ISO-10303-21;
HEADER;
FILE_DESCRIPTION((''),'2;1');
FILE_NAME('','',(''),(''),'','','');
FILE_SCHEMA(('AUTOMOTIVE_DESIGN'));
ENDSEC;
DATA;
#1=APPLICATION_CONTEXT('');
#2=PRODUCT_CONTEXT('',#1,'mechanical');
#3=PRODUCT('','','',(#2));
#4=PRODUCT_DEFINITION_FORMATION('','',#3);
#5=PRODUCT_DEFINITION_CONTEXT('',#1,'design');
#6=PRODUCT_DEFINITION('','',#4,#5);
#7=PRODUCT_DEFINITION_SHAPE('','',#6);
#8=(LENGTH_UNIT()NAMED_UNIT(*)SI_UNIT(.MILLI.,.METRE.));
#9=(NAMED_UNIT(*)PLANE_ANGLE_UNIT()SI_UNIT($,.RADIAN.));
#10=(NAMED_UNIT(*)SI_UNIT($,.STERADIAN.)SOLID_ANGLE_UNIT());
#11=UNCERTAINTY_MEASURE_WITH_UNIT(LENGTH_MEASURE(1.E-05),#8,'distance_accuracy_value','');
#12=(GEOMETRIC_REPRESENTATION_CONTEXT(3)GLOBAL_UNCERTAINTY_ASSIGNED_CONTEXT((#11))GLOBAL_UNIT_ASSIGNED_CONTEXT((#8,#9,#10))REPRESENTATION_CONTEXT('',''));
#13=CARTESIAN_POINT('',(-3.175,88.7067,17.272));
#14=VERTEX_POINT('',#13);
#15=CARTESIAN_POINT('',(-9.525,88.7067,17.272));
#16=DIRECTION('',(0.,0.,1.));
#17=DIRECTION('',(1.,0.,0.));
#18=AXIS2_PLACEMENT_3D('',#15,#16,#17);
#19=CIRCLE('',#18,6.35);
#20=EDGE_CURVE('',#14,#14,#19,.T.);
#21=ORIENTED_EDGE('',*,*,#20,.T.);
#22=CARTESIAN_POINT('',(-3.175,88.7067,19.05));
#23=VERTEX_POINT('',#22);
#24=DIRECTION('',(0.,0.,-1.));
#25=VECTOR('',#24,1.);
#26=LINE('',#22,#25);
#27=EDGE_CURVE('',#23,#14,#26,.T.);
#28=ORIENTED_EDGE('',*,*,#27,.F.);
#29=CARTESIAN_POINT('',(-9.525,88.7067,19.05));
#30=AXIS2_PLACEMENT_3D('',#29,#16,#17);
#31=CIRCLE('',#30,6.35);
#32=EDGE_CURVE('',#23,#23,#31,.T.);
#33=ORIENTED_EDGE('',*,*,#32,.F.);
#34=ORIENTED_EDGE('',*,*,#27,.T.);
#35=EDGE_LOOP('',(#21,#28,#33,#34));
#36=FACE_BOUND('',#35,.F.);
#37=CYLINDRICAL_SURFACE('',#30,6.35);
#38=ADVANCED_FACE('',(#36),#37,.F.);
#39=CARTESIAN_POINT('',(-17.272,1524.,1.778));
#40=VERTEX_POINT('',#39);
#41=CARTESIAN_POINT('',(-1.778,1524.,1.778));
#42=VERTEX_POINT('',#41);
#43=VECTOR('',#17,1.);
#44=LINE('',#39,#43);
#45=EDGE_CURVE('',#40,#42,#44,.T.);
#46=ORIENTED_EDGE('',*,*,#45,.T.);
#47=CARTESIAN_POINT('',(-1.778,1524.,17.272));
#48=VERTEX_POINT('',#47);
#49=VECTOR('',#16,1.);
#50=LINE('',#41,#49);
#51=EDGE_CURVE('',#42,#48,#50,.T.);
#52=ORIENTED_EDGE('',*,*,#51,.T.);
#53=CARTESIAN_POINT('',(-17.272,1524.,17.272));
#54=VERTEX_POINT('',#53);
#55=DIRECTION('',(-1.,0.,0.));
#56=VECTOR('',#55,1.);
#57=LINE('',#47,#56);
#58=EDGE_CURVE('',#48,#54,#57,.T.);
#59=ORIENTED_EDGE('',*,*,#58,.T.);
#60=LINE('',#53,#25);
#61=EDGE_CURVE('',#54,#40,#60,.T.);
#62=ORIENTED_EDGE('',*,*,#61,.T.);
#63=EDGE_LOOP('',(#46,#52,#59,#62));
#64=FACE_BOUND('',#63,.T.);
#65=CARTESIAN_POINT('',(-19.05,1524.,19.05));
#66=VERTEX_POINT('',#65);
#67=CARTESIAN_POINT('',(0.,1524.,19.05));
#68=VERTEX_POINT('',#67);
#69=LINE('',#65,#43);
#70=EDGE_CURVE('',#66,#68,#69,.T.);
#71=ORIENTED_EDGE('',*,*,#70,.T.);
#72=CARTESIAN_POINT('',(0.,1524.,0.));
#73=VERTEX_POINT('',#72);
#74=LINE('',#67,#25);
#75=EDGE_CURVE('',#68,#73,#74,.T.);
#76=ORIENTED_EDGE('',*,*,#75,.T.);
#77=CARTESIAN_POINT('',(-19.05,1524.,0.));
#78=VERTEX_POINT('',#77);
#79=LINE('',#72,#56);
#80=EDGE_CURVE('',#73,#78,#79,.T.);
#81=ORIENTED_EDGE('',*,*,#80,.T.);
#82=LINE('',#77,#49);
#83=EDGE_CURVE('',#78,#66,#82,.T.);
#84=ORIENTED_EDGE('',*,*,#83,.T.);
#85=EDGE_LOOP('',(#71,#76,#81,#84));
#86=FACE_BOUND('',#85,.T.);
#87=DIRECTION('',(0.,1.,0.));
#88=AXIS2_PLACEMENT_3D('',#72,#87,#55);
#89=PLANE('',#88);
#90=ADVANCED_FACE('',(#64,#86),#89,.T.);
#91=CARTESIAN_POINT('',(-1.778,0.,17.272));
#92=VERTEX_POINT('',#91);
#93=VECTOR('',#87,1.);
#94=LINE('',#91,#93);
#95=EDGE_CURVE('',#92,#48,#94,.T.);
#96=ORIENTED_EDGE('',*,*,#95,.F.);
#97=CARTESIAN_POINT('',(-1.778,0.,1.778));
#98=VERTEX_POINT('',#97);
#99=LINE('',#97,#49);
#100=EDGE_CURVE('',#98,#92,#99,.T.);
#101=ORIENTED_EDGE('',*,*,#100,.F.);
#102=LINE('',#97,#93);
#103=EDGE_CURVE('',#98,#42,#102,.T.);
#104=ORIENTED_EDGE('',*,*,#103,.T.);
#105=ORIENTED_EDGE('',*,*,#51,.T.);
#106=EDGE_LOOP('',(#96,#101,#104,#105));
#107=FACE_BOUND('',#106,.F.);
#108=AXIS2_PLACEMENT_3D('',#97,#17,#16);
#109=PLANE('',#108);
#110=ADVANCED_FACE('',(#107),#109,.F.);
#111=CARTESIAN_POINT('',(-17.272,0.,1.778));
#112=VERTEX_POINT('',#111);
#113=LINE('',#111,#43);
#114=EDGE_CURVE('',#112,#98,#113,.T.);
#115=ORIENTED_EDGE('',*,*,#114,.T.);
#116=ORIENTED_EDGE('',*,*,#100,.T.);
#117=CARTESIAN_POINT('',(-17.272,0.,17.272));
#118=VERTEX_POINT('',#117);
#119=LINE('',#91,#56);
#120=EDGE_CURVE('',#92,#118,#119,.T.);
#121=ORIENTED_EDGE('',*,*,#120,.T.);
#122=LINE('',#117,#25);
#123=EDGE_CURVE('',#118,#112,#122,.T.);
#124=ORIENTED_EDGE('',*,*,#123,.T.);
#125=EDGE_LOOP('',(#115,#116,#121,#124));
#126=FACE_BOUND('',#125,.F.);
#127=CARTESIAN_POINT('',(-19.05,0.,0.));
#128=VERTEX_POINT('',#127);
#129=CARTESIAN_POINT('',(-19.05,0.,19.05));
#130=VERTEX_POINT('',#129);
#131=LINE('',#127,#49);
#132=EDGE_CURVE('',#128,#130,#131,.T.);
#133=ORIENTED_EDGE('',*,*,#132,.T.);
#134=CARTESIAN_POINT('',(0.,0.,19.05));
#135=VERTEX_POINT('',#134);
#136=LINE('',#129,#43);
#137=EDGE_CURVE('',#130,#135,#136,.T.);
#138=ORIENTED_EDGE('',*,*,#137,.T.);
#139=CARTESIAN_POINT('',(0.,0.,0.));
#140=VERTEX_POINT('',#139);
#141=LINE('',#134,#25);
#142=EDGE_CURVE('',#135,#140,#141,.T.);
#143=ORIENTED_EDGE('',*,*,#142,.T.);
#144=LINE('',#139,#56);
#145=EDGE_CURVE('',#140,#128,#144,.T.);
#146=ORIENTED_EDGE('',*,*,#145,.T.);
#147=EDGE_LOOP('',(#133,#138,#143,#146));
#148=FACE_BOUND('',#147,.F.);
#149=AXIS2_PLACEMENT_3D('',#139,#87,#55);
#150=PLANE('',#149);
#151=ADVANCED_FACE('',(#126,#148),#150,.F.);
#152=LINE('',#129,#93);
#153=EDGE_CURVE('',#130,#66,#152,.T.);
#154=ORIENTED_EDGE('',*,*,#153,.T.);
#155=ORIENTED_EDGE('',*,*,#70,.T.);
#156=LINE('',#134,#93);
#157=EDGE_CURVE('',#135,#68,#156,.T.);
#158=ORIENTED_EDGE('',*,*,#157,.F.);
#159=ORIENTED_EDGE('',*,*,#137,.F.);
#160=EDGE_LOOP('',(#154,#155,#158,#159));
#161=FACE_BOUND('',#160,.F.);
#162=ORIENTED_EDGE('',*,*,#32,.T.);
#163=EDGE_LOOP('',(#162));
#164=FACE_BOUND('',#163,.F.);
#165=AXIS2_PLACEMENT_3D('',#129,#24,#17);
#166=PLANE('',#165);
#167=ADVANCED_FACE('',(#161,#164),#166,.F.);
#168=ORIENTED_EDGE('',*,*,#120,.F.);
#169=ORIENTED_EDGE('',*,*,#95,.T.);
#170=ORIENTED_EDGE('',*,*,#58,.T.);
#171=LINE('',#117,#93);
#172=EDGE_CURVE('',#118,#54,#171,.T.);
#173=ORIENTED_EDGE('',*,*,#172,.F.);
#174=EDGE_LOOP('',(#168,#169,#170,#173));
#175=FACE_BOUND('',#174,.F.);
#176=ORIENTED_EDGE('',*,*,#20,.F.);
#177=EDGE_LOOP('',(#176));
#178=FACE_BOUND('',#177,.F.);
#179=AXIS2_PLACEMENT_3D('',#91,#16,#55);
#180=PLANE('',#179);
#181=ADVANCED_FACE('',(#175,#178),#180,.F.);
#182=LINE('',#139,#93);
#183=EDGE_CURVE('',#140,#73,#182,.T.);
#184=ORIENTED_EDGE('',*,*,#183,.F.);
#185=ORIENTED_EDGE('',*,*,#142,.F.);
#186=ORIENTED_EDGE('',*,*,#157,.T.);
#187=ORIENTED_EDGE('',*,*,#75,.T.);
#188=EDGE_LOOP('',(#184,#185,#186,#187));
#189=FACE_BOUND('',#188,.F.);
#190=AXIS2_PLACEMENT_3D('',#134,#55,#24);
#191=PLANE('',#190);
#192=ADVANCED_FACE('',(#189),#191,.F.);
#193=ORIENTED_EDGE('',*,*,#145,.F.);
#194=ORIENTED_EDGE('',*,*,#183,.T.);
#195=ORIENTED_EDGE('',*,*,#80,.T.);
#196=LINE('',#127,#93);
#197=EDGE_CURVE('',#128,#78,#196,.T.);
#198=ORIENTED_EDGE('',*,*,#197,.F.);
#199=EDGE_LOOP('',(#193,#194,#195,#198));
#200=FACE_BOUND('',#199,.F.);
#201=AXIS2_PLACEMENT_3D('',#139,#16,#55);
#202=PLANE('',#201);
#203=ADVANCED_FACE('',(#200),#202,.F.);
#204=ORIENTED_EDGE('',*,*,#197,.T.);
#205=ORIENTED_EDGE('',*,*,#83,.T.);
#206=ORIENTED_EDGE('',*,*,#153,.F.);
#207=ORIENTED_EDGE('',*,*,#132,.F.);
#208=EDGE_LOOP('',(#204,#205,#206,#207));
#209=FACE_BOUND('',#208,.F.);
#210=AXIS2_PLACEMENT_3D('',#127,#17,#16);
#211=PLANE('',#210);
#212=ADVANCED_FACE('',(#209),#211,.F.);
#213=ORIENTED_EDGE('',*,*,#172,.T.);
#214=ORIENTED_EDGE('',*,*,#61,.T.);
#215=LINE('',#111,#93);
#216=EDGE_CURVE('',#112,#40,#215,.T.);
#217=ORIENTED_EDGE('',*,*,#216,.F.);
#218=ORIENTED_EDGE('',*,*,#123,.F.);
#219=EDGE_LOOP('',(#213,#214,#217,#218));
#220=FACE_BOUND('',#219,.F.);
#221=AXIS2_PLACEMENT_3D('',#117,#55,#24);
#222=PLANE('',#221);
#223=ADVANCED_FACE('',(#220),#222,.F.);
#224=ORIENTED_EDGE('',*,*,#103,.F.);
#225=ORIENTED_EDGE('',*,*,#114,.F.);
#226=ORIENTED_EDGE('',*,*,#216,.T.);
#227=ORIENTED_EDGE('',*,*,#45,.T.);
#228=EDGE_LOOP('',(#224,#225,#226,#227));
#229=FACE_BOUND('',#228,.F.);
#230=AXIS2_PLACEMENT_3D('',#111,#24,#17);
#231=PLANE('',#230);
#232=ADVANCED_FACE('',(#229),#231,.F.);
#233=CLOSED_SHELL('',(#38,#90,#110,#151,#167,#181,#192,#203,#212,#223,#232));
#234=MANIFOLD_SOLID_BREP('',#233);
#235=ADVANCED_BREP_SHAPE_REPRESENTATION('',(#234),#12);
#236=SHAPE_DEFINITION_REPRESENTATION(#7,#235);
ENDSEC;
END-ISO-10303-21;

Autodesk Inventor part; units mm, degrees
ref_plane "YZ Plane" through (0, 0, 0) normal (1, 0, 0) x (0, 1, 0)
ref_plane "XZ Plane" through (0, 0, 0) normal (0, 1, 0) x (-1, 0, 0)
ref_plane "XY Plane" through (0, 0, 0) normal (0, 0, 1) x (1, 0, 0)
sketch "Sketch1" plane through (0, 0, 0) normal (0, 1, 0) x (-1, 0, 0)
  line L0 (0, 0) -> (19.05, 0)
  line L1 (19.05, 0) -> (19.05, 19.05)
  line L2 (19.05, 19.05) -> (0, 19.05)
  line L3 (0, 19.05) -> (0, 0)
  line L4 (1.778, 17.272) -> (17.272, 17.272)
  line L5 (17.272, 17.272) -> (17.272, 1.778)
  line L6 (17.272, 1.778) -> (1.778, 1.778)
  line L7 (1.778, 1.778) -> (1.778, 17.272)
  dimension "MastWidth" = 19.05
  dimension "d1" = 19.05
  dimension "d2" = 1.778
  dimension "d3" = 1.778
  dimension "d4" = 1.778
  dimension "d5" = 1.778
extrude "Extrusion1" add sketch "Sketch1" along normal blind 1524
sketch "Sketch2" plane through (0, 0, 0) normal (0, -1, 0) x (1, 0, 0)
  line L0 (-17.272, 1.778) -> (-17.272, 17.272) projected
  line L1 (-17.272, 17.272) -> (-1.778, 17.272) projected
  line L2 (-1.778, 17.272) -> (-1.778, 1.778) projected
  line L3 (-1.778, 1.778) -> (-17.272, 1.778) projected
  line L4 (0, 0) -> (-19.05, 0) projected
  line L5 (0, 19.05) -> (0, 0) projected
  line L6 (-19.05, 19.05) -> (0, 19.05) projected
  line L7 (-19.05, 0) -> (-19.05, 19.05) projected
  line L8 (-19.05, 9.525) -> (0, 9.525)
  line L9 (-9.525, 19.05) -> (-9.525, 0)
sketch "Sketch3" plane through (-19.05, 0, 19.05) normal (0, 0, 1) x (1, 0, 0)
  line L0 (19.05, 1524) -> (0, 1524) projected
  line L1 (0, 0) -> (0, 1524) projected
  line L2 (0, 0) -> (19.05, 0) projected
  line L3 (19.05, 0) -> (19.05, 1524) projected
  line L4 (7.0234, 1484.4913) -> (20.0256, 1484.4913) construction
  line L5 (20.0256, 1484.4913) -> (20.0256, 1481.3149) construction
  line L6 (20.0256, 1481.3149) -> (7.0234, 1481.3149) construction
  line L7 (7.0234, 1481.3149) -> (7.0234, 1484.4913) construction
sketch "Sketch4" plane through (-19.05, 0, 19.05) normal (0, 0, 1) x (1, 0, 0)
  circle A0 centre (9.525, 88.7067) radius 6.35
  dimension "d8" = 12.7
extrude "Extrusion2" cut sketch "Sketch4" against normal blind 6.35
equation "\"d1\" = MastWidth"
equation "\"d3\" = d2"
equation "\"d4\" = d2"
equation "\"d5\" = d2"
properties part number "Robot-Mast" material "Aluminum-6061"
